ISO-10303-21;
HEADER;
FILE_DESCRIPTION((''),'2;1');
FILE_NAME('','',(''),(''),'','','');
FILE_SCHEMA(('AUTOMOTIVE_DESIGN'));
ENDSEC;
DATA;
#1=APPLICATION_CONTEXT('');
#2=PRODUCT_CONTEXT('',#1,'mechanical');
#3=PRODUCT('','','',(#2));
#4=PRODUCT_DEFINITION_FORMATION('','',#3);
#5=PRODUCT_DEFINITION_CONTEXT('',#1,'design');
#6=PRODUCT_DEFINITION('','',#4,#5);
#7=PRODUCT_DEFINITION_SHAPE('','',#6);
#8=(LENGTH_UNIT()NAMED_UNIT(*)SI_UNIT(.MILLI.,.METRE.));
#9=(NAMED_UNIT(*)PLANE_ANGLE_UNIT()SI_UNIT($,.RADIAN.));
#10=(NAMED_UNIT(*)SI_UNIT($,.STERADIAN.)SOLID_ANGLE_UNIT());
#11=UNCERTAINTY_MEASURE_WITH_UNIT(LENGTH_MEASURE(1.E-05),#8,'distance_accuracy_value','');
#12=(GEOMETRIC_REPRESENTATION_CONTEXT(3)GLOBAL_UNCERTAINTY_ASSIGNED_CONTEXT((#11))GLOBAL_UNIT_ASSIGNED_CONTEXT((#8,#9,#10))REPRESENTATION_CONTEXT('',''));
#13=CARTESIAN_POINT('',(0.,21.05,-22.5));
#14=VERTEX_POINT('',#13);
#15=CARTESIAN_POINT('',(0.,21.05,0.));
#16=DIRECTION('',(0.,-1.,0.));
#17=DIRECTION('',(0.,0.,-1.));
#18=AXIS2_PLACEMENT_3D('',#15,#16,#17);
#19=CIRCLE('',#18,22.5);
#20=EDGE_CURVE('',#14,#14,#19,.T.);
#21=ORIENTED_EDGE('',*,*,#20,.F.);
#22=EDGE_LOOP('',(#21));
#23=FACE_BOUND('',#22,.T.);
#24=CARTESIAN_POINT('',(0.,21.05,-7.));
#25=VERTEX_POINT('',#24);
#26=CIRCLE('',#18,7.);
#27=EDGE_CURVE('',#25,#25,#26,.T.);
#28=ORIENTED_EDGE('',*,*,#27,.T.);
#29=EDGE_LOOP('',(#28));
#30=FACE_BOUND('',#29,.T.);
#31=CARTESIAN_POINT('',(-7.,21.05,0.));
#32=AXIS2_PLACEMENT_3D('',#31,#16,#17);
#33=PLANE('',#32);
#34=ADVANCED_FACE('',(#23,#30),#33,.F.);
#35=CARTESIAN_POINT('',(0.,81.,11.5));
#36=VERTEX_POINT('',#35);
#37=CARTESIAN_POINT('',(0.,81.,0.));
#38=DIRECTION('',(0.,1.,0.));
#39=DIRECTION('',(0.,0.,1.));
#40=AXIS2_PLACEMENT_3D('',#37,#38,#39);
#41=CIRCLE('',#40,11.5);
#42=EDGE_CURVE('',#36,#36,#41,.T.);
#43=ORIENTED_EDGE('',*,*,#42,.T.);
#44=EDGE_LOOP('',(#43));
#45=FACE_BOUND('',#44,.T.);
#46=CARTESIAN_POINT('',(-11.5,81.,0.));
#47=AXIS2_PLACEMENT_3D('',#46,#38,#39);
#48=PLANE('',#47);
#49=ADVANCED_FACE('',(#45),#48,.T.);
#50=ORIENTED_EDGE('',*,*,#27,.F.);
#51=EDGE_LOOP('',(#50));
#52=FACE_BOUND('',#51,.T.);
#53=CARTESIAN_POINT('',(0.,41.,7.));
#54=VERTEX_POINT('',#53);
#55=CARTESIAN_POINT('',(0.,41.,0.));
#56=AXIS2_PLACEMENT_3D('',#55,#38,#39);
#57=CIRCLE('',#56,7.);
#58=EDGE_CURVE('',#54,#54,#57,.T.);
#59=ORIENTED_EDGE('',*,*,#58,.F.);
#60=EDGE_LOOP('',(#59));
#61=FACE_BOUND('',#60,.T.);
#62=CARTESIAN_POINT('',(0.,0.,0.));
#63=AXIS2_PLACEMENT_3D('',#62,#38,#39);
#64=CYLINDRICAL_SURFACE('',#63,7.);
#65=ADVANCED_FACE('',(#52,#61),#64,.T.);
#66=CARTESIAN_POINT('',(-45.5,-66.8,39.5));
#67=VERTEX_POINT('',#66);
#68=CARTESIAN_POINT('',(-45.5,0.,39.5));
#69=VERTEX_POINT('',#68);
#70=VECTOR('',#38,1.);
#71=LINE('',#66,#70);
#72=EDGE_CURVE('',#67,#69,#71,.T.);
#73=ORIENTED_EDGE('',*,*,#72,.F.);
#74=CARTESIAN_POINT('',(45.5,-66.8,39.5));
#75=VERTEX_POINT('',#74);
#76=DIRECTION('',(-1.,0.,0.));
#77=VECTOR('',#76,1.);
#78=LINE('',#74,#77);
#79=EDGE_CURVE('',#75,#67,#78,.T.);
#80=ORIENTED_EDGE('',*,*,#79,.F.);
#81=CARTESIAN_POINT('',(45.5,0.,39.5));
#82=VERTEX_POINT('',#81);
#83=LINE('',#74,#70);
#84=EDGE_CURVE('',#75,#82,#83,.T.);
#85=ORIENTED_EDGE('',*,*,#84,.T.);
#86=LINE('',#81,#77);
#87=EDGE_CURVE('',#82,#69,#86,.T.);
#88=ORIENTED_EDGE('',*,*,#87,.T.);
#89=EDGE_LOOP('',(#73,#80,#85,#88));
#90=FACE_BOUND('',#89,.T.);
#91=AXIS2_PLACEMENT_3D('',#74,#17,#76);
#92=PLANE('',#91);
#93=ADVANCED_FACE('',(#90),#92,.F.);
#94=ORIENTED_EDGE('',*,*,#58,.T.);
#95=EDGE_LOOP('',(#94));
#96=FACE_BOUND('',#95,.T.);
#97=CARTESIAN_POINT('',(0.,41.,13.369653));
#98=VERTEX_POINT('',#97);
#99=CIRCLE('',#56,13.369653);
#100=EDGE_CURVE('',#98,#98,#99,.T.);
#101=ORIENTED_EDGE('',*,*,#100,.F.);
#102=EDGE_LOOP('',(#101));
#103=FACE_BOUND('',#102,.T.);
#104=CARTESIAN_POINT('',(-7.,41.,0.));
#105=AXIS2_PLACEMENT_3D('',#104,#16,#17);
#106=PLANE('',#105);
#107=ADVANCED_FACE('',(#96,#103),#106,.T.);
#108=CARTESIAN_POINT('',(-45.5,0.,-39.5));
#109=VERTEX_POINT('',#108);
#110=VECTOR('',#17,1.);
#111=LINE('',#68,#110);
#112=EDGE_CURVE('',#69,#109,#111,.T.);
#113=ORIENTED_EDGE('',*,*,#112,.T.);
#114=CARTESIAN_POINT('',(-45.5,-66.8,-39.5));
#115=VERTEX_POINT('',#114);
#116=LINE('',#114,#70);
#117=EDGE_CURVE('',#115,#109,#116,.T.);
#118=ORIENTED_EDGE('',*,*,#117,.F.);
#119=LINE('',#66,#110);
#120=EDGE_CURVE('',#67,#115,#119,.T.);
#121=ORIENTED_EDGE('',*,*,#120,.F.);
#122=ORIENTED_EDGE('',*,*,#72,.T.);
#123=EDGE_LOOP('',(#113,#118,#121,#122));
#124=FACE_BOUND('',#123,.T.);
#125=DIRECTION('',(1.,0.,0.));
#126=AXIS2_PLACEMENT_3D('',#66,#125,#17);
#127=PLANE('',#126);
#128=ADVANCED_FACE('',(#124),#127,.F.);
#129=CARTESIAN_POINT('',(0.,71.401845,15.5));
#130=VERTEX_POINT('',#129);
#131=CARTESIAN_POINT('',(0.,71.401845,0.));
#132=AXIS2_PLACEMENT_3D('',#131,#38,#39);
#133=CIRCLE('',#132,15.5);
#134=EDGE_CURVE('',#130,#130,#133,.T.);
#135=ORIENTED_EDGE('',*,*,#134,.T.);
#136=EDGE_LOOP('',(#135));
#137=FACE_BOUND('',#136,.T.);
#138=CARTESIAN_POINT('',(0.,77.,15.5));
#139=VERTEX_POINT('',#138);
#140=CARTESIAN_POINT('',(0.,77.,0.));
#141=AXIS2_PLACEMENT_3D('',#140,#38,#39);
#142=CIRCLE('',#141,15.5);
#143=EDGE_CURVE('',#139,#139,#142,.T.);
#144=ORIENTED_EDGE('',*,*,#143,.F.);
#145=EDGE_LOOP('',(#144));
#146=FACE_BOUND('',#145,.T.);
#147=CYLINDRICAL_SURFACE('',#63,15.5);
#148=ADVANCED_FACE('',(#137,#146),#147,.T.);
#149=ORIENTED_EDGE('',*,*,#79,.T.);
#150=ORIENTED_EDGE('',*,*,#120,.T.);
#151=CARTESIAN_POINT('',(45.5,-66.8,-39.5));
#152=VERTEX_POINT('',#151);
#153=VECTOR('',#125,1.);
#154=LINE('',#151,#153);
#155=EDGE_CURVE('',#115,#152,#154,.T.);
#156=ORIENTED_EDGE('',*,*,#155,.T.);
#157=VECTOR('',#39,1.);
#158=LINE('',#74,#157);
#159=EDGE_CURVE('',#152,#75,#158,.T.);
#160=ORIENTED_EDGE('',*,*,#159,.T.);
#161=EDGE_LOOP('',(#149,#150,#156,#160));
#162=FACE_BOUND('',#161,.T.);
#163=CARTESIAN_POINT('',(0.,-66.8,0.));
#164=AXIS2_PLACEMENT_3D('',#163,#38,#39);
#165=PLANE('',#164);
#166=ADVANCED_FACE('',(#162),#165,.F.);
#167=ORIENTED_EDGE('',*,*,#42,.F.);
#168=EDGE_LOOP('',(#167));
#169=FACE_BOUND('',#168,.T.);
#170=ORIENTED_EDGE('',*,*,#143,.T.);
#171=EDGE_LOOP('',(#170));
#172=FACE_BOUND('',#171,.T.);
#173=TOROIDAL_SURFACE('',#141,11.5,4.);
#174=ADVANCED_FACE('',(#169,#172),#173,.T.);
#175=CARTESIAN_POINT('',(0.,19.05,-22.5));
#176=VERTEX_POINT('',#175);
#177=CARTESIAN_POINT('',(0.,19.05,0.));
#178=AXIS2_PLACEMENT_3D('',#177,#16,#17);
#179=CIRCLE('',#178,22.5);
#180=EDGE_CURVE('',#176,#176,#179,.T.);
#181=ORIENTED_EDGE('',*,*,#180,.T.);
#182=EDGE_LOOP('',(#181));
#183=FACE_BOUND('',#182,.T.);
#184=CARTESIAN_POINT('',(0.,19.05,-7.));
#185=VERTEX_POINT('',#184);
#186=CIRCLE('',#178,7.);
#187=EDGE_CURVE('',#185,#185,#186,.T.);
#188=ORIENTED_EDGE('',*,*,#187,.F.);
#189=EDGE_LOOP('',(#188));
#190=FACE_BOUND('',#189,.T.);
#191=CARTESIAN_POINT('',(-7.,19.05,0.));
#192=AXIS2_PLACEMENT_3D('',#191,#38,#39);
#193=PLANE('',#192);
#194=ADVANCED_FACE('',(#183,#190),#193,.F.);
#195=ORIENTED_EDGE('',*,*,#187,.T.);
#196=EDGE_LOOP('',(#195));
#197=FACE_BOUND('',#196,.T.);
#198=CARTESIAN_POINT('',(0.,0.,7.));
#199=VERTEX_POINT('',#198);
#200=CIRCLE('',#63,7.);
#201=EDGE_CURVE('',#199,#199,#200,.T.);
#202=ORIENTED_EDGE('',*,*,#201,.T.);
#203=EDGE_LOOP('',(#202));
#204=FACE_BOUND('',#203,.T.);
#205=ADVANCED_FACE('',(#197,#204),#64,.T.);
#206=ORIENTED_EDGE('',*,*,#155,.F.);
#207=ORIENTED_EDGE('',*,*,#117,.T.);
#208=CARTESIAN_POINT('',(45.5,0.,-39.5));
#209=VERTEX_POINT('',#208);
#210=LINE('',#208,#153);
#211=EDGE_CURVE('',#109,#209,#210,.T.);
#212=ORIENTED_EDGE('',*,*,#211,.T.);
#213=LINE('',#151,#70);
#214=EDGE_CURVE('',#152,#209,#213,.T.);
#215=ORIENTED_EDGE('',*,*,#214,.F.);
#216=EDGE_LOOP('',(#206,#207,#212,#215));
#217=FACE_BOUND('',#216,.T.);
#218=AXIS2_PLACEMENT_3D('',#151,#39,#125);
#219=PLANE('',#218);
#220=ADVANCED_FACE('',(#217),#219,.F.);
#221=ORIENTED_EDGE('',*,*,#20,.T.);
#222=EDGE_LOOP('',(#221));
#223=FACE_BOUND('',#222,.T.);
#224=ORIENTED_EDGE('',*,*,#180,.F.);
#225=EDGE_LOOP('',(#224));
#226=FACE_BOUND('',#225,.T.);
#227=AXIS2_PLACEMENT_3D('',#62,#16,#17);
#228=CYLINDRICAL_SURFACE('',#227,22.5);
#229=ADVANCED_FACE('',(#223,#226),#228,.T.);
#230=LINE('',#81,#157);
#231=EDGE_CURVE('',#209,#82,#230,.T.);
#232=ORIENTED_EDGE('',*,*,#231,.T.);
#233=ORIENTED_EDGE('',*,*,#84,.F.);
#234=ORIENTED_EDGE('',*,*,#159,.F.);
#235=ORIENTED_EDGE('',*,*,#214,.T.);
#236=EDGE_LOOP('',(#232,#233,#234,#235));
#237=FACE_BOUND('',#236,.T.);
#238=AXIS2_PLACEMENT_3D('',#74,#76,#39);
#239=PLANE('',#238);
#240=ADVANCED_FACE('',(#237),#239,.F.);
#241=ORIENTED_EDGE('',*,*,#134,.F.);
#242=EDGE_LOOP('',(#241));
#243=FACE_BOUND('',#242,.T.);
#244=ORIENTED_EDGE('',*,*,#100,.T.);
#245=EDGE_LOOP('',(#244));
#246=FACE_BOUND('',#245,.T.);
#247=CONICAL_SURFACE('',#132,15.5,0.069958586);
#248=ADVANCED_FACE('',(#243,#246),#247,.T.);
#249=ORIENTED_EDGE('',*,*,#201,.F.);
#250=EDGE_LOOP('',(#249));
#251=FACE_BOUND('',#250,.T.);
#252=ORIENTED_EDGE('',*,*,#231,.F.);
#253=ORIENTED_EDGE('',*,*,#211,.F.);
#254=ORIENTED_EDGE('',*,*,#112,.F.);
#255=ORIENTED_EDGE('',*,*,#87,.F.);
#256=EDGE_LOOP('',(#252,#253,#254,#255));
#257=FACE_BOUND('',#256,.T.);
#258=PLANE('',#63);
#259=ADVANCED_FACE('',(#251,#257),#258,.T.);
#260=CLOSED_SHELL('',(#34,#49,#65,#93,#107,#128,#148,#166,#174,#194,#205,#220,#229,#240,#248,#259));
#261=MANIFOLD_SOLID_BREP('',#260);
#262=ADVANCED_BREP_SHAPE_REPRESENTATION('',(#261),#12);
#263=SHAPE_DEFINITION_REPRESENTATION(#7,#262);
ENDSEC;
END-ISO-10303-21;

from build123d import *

# Parameters (mm, degrees)
SKETCH2_W           = 15.5
SKETCH2_H           = 2
SKETCH3_W           = 91
SKETCH3_H           = 79
BOSS_EXTRUDE1_DEPTH = 66.8


with BuildPart() as part:
    # Sketch1 → Revolve1 (revolve)
    with BuildSketch(Plane.XY):
        with BuildLine():
            Line((0, 0), (-7, 0))
            Line((-7, 0), (-7, 41))
            Line((-7, 41), (-13.369653316, 41))
            Line((-13.369653316, 41), (-15.5, 71.401844965))
            Line((-15.5, 71.401844965), (-15.5, 77))
            ThreePointArc((-15.5, 77), (-14.328427125, 79.828427125), (-11.5, 81))
            Line((-11.5, 81), (0, 81))
            Line((0, 81), (0, 0))
        make_face()
    revolve(axis=Axis((0, 0, 0), (0, -1, 0)))

    # Sketch2 → Revolve2 (revolve)
    with BuildSketch(Plane.XY):
        with Locations((-14.75, 20.05)):
            Rectangle(SKETCH2_W, SKETCH2_H)
    revolve(axis=Axis((0, 0, 0), (0, 1, 0)))

    # Sketch3 → Boss-Extrude1 (add)
    with BuildSketch(Plane.XZ):
        Rectangle(SKETCH3_W, SKETCH3_H)
    extrude(amount=BOSS_EXTRUDE1_DEPTH)


solid = part.part
